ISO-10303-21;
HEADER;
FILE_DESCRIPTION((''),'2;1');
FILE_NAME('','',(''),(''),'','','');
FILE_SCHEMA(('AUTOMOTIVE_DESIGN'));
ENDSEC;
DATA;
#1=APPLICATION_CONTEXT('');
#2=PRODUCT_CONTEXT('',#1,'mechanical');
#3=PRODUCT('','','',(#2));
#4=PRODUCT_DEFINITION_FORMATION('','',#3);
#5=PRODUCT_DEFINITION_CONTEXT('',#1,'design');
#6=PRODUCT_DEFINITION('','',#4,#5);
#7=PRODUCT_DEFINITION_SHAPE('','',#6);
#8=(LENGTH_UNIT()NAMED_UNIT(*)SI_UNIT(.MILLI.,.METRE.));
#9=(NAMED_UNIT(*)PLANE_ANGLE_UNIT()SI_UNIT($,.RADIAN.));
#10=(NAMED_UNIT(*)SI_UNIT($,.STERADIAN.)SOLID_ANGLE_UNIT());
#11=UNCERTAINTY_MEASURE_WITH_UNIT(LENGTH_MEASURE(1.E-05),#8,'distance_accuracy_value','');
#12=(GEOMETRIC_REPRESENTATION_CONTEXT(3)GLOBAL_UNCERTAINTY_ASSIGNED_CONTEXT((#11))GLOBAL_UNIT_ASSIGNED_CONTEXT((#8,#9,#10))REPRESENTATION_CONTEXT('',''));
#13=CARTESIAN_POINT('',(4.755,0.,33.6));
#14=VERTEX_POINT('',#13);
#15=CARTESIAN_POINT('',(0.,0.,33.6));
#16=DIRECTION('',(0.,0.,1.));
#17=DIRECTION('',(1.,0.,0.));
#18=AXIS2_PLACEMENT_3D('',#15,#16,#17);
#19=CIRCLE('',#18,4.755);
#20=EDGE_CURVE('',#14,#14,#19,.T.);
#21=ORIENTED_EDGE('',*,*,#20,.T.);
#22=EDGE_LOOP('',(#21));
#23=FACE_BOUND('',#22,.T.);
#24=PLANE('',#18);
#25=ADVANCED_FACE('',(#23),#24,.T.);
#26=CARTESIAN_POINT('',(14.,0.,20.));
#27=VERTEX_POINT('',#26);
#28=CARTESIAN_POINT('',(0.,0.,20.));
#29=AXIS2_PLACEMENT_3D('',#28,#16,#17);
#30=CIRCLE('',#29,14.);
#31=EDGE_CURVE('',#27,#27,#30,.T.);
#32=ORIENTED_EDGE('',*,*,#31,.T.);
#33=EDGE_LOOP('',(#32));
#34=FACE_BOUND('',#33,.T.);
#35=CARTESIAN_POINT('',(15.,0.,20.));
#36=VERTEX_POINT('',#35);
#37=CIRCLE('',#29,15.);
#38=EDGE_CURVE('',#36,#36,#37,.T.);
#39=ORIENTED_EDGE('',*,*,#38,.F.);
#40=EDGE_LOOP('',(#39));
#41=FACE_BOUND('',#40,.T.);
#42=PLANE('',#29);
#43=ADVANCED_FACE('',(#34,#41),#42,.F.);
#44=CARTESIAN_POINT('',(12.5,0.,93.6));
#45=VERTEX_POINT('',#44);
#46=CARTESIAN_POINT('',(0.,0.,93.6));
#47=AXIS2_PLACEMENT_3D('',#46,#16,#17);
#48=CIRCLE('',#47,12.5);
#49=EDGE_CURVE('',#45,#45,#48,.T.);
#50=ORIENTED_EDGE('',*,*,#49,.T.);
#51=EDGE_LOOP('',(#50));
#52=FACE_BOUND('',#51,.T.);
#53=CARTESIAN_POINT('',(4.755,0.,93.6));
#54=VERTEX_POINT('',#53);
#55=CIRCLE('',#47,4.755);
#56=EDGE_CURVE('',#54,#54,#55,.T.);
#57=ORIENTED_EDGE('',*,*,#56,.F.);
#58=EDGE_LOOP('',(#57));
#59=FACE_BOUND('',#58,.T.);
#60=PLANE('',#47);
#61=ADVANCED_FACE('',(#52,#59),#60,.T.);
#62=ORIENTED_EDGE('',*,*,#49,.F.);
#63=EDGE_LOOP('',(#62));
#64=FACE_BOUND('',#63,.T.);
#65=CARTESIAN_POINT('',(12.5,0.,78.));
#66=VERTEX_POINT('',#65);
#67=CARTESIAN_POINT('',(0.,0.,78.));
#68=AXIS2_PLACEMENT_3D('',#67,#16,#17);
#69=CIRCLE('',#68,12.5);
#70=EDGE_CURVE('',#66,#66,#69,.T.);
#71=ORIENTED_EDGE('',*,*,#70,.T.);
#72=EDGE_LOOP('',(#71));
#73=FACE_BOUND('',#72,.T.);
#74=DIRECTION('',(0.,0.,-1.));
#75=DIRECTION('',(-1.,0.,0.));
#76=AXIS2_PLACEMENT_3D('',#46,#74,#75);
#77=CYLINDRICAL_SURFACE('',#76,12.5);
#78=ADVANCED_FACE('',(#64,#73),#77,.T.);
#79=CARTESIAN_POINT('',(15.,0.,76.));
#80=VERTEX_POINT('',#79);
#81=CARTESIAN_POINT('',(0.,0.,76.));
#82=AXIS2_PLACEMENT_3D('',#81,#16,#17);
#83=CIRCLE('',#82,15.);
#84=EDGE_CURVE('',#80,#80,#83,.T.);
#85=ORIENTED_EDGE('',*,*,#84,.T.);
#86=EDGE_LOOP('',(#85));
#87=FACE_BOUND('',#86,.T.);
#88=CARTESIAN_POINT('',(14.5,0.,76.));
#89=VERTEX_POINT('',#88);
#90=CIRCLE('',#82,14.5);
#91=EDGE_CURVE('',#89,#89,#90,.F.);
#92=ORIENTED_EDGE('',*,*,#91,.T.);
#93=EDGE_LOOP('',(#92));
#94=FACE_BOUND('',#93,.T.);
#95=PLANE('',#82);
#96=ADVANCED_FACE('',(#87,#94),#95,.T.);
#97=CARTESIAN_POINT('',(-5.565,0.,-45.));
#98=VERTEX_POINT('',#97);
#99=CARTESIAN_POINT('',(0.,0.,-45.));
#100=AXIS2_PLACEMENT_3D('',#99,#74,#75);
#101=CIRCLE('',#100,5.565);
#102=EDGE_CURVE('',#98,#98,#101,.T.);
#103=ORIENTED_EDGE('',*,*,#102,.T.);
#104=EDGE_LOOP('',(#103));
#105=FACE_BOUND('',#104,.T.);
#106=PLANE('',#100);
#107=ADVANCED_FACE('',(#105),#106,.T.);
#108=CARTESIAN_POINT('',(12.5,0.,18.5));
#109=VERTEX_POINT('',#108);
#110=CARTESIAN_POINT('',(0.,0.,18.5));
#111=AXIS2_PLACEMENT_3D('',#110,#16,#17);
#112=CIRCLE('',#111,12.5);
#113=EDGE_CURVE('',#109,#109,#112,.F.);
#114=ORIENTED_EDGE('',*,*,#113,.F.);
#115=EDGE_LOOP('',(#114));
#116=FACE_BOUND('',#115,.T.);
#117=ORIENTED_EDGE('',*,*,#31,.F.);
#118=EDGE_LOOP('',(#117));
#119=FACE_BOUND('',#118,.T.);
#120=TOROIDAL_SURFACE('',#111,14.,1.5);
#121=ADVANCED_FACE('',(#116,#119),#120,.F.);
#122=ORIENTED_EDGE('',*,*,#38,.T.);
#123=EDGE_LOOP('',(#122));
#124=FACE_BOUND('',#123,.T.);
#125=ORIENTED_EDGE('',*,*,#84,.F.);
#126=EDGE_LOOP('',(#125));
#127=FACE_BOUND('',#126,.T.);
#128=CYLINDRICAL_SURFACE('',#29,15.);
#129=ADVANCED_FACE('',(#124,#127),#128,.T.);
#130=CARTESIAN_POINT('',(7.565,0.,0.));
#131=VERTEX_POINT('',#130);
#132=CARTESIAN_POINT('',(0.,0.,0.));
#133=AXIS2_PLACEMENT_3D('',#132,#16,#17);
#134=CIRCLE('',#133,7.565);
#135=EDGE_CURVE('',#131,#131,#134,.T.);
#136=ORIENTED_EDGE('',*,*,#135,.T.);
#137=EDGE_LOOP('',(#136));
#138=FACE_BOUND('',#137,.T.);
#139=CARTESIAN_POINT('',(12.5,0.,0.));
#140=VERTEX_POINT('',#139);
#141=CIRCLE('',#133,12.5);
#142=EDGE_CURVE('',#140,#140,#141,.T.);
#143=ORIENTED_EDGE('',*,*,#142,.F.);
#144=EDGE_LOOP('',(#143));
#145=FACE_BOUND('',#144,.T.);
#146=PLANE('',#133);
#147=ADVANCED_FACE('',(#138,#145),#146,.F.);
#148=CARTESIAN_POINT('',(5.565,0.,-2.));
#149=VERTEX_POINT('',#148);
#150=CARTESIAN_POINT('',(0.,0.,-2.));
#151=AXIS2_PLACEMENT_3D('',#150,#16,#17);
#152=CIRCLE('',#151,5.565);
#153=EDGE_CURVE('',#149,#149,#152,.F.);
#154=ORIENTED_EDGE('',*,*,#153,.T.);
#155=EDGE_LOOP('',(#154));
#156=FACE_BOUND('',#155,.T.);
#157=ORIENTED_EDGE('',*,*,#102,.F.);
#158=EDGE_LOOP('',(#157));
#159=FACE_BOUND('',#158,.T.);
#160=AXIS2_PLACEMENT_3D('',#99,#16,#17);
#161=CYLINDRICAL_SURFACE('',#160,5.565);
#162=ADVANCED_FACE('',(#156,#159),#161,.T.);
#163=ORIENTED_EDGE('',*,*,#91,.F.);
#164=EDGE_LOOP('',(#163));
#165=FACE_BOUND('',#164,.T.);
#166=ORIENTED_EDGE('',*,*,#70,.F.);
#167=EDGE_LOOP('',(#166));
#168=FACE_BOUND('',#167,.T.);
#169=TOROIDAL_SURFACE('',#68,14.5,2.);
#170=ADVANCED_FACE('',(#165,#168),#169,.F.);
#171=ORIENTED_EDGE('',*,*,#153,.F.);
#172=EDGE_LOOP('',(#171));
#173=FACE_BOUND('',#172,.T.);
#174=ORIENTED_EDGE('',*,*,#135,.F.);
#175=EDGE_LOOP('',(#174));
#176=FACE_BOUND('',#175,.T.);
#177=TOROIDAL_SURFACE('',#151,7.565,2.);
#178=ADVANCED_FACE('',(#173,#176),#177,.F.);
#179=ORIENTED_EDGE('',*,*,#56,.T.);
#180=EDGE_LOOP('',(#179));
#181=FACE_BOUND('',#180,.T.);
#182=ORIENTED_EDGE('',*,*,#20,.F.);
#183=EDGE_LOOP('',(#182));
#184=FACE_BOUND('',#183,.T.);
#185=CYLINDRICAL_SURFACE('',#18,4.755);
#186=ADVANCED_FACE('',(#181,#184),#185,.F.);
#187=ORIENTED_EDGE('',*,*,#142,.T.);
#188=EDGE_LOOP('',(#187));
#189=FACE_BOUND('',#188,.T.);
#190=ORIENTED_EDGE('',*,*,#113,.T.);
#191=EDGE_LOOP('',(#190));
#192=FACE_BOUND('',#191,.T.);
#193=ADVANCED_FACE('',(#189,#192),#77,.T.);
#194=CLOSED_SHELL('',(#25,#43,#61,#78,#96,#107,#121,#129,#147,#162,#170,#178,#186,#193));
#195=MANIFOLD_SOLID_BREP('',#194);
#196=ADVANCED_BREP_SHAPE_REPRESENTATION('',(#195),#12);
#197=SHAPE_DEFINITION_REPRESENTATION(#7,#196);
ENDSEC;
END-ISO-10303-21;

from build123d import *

# Parameters (mm, degrees)
SKETCH1_R           = 12.5
BOSS_EXTRUDE1_DEPTH = 93.6
SKETCH2_R           = 15
BOSS_EXTRUDE2_DEPTH = 56
SKETCH3_R           = 5.565
BOSS_EXTRUDE3_DEPTH = 45
SKETCH4_R           = 4.755
CUT_EXTRUDE1_DEPTH  = 60
FILLET2_R           = 2
FILLET3_R           = 1.5
FILLET4_R           = 2


with BuildPart() as part:
    # Sketch1 → Boss-Extrude1 (new body)
    with BuildSketch(Plane.XY):
        Circle(SKETCH1_R)
    extrude(amount=BOSS_EXTRUDE1_DEPTH)

    # Sketch2 → Boss-Extrude2 (add)
    with BuildSketch(Plane.XY.offset(76)):
        Circle(SKETCH2_R)
    extrude(amount=-BOSS_EXTRUDE2_DEPTH)

    # Sketch3 → Boss-Extrude3 (add)
    with BuildSketch(Plane(origin=(0, 0, 0), x_dir=(-1, 0, 0), z_dir=(0, 0, -1))):
        Circle(SKETCH3_R)
    extrude(amount=BOSS_EXTRUDE3_DEPTH)

    # Sketch4 → Cut-Extrude1 (cut)
    with BuildSketch(Plane.XY.offset(93.6)):
        Circle(SKETCH4_R)
    extrude(amount=-CUT_EXTRUDE1_DEPTH, mode=Mode.SUBTRACT)

    # Fillet2
    fillet2_edges = [part.edges().sort_by_distance(p)[0] for p in [
        (-12.5, 0, 76),
    ]]
    fillet(fillet2_edges, radius=FILLET2_R)

    # Fillet3
    fillet3_edges = [part.edges().sort_by_distance(p)[0] for p in [
        (-12.5, 0, 20),
    ]]
    fillet(fillet3_edges, radius=FILLET3_R)

    # Fillet4
    fillet4_edges = [part.edges().sort_by_distance(p)[0] for p in [
        (5.565, 0, 0),
    ]]
    fillet(fillet4_edges, radius=FILLET4_R)


solid = part.part
